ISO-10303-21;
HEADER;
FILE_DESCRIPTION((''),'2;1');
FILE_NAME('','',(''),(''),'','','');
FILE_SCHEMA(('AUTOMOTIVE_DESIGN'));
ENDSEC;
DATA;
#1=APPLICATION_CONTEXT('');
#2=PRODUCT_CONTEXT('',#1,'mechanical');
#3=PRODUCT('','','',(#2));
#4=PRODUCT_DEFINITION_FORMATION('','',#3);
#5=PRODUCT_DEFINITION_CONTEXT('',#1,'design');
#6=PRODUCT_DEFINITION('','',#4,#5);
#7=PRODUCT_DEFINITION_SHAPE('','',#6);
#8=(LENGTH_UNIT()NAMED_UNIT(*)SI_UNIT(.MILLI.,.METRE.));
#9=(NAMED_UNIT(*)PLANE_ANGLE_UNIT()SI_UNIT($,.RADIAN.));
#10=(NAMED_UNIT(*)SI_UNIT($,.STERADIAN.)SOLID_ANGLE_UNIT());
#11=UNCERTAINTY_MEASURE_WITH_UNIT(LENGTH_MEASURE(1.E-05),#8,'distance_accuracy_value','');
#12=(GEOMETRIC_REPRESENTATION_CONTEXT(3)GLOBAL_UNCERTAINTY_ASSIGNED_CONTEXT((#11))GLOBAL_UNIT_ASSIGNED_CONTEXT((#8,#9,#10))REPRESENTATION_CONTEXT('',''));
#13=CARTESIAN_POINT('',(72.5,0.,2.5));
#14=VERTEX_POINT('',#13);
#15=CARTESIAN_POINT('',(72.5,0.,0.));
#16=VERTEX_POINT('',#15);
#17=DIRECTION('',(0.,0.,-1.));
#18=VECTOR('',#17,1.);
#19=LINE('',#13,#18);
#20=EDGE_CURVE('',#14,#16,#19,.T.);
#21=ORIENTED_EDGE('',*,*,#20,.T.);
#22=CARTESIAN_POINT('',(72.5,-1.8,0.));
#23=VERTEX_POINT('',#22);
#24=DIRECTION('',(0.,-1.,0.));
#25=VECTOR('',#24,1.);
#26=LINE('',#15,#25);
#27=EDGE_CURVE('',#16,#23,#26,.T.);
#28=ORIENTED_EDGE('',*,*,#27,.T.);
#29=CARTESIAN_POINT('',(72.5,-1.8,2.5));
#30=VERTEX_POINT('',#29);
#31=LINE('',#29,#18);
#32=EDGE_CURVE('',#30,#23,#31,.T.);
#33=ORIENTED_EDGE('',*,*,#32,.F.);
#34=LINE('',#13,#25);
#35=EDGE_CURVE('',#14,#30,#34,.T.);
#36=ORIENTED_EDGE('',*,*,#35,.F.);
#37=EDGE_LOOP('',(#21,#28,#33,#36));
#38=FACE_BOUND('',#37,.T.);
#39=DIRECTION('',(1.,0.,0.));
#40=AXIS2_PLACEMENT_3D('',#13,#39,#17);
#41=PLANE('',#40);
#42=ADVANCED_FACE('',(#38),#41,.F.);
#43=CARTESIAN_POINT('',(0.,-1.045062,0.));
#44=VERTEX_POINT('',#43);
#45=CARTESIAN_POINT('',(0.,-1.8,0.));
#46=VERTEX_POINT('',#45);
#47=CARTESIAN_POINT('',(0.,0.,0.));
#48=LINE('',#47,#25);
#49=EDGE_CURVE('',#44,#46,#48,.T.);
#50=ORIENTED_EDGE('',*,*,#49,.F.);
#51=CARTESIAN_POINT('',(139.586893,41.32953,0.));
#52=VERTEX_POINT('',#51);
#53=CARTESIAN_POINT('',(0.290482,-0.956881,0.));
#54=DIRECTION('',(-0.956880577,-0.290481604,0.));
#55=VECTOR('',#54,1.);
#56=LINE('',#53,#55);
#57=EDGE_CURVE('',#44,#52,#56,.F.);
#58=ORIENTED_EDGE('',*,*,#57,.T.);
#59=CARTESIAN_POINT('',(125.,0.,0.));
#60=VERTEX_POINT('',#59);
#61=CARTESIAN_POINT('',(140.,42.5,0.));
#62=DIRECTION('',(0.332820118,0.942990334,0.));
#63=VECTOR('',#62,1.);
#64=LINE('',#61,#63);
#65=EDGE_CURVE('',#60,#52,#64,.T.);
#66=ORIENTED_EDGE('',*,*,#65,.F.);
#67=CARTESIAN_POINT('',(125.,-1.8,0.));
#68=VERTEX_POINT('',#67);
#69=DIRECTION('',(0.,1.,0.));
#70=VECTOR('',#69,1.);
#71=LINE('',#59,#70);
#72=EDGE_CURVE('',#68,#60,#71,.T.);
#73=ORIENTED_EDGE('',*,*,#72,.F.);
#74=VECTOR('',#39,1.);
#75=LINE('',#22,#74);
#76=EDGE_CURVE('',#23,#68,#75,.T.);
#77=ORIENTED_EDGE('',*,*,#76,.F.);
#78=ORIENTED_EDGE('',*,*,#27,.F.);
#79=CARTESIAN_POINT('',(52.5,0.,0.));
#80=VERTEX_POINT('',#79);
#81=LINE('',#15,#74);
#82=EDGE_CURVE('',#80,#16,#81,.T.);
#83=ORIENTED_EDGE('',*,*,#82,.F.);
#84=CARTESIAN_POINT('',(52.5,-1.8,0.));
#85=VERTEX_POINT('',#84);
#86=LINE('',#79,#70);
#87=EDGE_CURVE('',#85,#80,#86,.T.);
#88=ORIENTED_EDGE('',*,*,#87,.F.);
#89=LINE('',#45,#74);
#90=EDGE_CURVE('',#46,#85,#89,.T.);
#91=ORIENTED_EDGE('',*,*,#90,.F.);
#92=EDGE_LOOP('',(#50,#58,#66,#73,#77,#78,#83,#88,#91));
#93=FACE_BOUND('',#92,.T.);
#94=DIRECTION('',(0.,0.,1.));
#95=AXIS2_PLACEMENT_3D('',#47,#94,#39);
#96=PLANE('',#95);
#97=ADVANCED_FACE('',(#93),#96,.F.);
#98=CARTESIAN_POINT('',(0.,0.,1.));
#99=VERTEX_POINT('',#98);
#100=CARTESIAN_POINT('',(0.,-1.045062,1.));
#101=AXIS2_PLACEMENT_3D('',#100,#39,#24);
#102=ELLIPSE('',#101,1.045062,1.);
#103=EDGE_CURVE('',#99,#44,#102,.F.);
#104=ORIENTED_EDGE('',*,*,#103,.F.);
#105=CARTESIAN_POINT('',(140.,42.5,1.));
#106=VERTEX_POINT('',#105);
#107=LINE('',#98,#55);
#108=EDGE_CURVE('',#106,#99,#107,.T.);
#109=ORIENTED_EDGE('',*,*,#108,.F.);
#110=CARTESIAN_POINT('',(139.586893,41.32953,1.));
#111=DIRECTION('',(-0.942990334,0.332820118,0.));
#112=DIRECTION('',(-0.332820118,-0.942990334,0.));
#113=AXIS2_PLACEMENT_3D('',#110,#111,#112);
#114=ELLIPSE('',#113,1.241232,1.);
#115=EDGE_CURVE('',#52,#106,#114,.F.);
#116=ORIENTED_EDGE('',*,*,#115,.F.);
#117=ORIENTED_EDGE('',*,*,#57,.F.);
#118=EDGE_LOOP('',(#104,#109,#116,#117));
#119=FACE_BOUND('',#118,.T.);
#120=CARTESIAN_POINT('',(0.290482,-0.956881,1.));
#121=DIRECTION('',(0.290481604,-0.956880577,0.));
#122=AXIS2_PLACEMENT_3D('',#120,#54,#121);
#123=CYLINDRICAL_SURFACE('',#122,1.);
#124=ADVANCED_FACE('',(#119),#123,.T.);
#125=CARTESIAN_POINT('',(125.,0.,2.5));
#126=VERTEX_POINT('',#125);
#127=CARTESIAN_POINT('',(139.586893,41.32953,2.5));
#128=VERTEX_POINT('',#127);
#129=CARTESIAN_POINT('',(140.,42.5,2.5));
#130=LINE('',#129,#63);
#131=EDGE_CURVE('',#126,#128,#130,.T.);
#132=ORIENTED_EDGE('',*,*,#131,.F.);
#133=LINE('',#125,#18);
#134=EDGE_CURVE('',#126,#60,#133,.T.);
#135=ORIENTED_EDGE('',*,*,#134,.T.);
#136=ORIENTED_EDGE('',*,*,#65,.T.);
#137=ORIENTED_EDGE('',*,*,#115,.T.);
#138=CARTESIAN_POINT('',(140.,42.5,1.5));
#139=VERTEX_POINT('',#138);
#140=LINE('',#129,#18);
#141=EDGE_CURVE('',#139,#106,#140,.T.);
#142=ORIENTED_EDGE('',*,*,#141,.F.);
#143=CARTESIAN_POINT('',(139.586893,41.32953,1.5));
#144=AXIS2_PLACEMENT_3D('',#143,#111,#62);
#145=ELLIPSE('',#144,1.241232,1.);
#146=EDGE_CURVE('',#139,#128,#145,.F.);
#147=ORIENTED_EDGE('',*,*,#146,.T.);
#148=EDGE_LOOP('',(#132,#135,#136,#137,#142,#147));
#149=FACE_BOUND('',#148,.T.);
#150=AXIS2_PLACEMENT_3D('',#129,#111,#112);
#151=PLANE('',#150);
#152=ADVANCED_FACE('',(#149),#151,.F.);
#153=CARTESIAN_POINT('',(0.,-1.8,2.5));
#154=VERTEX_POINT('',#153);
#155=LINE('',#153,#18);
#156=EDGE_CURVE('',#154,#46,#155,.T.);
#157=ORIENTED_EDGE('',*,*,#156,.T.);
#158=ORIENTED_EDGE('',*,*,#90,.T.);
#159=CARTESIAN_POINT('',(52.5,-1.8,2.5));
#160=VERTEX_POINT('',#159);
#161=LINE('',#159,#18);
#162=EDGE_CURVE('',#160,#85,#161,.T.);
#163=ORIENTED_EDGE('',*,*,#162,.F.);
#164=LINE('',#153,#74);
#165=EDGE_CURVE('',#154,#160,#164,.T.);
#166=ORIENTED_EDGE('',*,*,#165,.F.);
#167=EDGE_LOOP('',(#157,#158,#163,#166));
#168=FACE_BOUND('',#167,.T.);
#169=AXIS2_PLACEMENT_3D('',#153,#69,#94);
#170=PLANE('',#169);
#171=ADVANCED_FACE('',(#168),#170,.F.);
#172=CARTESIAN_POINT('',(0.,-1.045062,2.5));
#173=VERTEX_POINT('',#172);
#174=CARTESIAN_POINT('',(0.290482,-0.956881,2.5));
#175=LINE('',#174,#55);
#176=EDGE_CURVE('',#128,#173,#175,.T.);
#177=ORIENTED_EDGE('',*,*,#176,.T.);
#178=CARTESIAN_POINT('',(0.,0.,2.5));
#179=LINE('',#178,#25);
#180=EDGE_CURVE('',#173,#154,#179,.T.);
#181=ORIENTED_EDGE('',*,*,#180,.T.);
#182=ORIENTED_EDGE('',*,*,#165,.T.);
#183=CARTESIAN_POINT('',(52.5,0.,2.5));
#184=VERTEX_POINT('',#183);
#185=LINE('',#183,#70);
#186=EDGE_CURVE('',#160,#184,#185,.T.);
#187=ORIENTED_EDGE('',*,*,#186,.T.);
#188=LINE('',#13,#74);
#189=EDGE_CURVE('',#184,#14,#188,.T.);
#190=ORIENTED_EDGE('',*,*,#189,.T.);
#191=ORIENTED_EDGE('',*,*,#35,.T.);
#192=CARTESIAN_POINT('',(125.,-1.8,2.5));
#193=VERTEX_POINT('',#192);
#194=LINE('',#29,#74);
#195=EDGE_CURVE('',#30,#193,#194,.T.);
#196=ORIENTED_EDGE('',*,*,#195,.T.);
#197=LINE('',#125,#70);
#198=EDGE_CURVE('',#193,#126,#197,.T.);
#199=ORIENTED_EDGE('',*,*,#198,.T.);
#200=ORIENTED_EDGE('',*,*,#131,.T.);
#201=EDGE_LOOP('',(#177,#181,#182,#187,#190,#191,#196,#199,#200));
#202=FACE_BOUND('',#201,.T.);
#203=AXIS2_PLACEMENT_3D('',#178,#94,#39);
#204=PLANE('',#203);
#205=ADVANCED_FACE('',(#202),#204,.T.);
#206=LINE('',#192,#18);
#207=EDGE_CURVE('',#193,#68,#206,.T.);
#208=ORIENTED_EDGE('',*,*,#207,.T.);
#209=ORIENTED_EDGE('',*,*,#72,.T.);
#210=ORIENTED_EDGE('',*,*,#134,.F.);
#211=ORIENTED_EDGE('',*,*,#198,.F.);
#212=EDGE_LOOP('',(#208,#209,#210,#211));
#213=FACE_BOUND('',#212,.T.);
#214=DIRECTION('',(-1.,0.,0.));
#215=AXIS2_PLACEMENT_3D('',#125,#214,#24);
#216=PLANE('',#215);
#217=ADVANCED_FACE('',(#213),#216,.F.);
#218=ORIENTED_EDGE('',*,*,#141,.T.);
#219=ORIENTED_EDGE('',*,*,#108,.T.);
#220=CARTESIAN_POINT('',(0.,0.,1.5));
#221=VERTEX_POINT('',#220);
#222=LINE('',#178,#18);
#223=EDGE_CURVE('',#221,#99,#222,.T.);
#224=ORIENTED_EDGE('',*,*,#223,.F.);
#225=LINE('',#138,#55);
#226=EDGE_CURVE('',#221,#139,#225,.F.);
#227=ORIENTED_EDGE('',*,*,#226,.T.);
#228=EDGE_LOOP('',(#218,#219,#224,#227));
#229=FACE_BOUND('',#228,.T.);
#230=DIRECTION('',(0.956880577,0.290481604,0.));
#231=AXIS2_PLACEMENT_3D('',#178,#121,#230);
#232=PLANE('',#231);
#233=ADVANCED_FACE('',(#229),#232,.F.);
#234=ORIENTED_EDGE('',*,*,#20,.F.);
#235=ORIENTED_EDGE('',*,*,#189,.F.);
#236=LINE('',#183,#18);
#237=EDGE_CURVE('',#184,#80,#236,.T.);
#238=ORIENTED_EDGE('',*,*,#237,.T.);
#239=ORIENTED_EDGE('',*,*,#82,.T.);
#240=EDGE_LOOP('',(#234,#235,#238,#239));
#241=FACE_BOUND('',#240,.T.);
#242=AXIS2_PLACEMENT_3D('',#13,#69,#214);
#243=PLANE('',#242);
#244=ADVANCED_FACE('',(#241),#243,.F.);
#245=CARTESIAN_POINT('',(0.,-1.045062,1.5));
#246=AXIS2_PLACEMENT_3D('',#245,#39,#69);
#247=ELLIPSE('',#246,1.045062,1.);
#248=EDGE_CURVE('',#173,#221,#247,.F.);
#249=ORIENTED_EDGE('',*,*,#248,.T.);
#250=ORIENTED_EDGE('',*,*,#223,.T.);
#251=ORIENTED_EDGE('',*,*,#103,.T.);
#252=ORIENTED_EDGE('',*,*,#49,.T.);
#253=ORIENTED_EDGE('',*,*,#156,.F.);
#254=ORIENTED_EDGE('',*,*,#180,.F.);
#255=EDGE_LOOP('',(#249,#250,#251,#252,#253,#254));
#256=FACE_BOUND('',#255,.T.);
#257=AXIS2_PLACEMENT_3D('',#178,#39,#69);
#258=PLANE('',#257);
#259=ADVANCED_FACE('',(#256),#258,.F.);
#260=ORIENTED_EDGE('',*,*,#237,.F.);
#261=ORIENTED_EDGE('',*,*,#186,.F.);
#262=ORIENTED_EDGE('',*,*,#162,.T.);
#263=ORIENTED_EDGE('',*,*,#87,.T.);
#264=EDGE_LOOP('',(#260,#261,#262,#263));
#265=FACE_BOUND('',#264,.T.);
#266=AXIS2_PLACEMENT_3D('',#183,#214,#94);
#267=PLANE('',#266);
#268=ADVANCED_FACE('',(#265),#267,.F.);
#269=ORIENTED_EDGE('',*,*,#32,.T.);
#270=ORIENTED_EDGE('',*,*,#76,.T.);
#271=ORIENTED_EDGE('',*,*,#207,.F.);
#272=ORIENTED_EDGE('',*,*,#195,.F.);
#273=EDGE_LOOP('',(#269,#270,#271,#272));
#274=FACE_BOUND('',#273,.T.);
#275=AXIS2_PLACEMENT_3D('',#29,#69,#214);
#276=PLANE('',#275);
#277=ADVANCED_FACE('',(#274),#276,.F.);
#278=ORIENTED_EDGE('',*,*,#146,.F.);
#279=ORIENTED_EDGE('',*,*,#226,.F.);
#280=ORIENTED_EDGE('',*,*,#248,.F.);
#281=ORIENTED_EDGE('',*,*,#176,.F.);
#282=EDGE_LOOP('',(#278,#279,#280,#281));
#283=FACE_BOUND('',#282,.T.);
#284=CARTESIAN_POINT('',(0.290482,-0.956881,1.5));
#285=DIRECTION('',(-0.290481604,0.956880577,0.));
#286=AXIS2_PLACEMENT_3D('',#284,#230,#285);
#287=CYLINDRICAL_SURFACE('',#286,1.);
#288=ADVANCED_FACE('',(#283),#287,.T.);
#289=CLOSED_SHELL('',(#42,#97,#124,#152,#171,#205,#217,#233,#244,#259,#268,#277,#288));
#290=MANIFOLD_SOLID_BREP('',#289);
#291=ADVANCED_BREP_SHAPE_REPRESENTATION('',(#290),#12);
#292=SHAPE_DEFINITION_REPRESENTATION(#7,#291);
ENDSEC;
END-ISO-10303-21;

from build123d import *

# Parameters (mm, degrees)
BOSS_EXTRUDE1_DEPTH = 2.5
FILLET1_R           = 1


with BuildPart() as part:
    # Sketch1 → Boss-Extrude1 (new body)
    with BuildSketch(Plane.XY):
        Polygon((0, 0), (140, 42.5), (125, 0), (125, -1.8), (72.5, -1.8), (72.5, 0), (52.5, 0), (52.5, -1.8), (0, -1.8), align=None)
    extrude(amount=BOSS_EXTRUDE1_DEPTH)

    # Fillet1
    fillet1_edges = [part.edges().sort_by_distance(p)[0] for p in [
        (70, 21.25, 0),
        (70, 21.25, 2.5),
    ]]
    fillet(fillet1_edges, radius=FILLET1_R)


solid = part.part
